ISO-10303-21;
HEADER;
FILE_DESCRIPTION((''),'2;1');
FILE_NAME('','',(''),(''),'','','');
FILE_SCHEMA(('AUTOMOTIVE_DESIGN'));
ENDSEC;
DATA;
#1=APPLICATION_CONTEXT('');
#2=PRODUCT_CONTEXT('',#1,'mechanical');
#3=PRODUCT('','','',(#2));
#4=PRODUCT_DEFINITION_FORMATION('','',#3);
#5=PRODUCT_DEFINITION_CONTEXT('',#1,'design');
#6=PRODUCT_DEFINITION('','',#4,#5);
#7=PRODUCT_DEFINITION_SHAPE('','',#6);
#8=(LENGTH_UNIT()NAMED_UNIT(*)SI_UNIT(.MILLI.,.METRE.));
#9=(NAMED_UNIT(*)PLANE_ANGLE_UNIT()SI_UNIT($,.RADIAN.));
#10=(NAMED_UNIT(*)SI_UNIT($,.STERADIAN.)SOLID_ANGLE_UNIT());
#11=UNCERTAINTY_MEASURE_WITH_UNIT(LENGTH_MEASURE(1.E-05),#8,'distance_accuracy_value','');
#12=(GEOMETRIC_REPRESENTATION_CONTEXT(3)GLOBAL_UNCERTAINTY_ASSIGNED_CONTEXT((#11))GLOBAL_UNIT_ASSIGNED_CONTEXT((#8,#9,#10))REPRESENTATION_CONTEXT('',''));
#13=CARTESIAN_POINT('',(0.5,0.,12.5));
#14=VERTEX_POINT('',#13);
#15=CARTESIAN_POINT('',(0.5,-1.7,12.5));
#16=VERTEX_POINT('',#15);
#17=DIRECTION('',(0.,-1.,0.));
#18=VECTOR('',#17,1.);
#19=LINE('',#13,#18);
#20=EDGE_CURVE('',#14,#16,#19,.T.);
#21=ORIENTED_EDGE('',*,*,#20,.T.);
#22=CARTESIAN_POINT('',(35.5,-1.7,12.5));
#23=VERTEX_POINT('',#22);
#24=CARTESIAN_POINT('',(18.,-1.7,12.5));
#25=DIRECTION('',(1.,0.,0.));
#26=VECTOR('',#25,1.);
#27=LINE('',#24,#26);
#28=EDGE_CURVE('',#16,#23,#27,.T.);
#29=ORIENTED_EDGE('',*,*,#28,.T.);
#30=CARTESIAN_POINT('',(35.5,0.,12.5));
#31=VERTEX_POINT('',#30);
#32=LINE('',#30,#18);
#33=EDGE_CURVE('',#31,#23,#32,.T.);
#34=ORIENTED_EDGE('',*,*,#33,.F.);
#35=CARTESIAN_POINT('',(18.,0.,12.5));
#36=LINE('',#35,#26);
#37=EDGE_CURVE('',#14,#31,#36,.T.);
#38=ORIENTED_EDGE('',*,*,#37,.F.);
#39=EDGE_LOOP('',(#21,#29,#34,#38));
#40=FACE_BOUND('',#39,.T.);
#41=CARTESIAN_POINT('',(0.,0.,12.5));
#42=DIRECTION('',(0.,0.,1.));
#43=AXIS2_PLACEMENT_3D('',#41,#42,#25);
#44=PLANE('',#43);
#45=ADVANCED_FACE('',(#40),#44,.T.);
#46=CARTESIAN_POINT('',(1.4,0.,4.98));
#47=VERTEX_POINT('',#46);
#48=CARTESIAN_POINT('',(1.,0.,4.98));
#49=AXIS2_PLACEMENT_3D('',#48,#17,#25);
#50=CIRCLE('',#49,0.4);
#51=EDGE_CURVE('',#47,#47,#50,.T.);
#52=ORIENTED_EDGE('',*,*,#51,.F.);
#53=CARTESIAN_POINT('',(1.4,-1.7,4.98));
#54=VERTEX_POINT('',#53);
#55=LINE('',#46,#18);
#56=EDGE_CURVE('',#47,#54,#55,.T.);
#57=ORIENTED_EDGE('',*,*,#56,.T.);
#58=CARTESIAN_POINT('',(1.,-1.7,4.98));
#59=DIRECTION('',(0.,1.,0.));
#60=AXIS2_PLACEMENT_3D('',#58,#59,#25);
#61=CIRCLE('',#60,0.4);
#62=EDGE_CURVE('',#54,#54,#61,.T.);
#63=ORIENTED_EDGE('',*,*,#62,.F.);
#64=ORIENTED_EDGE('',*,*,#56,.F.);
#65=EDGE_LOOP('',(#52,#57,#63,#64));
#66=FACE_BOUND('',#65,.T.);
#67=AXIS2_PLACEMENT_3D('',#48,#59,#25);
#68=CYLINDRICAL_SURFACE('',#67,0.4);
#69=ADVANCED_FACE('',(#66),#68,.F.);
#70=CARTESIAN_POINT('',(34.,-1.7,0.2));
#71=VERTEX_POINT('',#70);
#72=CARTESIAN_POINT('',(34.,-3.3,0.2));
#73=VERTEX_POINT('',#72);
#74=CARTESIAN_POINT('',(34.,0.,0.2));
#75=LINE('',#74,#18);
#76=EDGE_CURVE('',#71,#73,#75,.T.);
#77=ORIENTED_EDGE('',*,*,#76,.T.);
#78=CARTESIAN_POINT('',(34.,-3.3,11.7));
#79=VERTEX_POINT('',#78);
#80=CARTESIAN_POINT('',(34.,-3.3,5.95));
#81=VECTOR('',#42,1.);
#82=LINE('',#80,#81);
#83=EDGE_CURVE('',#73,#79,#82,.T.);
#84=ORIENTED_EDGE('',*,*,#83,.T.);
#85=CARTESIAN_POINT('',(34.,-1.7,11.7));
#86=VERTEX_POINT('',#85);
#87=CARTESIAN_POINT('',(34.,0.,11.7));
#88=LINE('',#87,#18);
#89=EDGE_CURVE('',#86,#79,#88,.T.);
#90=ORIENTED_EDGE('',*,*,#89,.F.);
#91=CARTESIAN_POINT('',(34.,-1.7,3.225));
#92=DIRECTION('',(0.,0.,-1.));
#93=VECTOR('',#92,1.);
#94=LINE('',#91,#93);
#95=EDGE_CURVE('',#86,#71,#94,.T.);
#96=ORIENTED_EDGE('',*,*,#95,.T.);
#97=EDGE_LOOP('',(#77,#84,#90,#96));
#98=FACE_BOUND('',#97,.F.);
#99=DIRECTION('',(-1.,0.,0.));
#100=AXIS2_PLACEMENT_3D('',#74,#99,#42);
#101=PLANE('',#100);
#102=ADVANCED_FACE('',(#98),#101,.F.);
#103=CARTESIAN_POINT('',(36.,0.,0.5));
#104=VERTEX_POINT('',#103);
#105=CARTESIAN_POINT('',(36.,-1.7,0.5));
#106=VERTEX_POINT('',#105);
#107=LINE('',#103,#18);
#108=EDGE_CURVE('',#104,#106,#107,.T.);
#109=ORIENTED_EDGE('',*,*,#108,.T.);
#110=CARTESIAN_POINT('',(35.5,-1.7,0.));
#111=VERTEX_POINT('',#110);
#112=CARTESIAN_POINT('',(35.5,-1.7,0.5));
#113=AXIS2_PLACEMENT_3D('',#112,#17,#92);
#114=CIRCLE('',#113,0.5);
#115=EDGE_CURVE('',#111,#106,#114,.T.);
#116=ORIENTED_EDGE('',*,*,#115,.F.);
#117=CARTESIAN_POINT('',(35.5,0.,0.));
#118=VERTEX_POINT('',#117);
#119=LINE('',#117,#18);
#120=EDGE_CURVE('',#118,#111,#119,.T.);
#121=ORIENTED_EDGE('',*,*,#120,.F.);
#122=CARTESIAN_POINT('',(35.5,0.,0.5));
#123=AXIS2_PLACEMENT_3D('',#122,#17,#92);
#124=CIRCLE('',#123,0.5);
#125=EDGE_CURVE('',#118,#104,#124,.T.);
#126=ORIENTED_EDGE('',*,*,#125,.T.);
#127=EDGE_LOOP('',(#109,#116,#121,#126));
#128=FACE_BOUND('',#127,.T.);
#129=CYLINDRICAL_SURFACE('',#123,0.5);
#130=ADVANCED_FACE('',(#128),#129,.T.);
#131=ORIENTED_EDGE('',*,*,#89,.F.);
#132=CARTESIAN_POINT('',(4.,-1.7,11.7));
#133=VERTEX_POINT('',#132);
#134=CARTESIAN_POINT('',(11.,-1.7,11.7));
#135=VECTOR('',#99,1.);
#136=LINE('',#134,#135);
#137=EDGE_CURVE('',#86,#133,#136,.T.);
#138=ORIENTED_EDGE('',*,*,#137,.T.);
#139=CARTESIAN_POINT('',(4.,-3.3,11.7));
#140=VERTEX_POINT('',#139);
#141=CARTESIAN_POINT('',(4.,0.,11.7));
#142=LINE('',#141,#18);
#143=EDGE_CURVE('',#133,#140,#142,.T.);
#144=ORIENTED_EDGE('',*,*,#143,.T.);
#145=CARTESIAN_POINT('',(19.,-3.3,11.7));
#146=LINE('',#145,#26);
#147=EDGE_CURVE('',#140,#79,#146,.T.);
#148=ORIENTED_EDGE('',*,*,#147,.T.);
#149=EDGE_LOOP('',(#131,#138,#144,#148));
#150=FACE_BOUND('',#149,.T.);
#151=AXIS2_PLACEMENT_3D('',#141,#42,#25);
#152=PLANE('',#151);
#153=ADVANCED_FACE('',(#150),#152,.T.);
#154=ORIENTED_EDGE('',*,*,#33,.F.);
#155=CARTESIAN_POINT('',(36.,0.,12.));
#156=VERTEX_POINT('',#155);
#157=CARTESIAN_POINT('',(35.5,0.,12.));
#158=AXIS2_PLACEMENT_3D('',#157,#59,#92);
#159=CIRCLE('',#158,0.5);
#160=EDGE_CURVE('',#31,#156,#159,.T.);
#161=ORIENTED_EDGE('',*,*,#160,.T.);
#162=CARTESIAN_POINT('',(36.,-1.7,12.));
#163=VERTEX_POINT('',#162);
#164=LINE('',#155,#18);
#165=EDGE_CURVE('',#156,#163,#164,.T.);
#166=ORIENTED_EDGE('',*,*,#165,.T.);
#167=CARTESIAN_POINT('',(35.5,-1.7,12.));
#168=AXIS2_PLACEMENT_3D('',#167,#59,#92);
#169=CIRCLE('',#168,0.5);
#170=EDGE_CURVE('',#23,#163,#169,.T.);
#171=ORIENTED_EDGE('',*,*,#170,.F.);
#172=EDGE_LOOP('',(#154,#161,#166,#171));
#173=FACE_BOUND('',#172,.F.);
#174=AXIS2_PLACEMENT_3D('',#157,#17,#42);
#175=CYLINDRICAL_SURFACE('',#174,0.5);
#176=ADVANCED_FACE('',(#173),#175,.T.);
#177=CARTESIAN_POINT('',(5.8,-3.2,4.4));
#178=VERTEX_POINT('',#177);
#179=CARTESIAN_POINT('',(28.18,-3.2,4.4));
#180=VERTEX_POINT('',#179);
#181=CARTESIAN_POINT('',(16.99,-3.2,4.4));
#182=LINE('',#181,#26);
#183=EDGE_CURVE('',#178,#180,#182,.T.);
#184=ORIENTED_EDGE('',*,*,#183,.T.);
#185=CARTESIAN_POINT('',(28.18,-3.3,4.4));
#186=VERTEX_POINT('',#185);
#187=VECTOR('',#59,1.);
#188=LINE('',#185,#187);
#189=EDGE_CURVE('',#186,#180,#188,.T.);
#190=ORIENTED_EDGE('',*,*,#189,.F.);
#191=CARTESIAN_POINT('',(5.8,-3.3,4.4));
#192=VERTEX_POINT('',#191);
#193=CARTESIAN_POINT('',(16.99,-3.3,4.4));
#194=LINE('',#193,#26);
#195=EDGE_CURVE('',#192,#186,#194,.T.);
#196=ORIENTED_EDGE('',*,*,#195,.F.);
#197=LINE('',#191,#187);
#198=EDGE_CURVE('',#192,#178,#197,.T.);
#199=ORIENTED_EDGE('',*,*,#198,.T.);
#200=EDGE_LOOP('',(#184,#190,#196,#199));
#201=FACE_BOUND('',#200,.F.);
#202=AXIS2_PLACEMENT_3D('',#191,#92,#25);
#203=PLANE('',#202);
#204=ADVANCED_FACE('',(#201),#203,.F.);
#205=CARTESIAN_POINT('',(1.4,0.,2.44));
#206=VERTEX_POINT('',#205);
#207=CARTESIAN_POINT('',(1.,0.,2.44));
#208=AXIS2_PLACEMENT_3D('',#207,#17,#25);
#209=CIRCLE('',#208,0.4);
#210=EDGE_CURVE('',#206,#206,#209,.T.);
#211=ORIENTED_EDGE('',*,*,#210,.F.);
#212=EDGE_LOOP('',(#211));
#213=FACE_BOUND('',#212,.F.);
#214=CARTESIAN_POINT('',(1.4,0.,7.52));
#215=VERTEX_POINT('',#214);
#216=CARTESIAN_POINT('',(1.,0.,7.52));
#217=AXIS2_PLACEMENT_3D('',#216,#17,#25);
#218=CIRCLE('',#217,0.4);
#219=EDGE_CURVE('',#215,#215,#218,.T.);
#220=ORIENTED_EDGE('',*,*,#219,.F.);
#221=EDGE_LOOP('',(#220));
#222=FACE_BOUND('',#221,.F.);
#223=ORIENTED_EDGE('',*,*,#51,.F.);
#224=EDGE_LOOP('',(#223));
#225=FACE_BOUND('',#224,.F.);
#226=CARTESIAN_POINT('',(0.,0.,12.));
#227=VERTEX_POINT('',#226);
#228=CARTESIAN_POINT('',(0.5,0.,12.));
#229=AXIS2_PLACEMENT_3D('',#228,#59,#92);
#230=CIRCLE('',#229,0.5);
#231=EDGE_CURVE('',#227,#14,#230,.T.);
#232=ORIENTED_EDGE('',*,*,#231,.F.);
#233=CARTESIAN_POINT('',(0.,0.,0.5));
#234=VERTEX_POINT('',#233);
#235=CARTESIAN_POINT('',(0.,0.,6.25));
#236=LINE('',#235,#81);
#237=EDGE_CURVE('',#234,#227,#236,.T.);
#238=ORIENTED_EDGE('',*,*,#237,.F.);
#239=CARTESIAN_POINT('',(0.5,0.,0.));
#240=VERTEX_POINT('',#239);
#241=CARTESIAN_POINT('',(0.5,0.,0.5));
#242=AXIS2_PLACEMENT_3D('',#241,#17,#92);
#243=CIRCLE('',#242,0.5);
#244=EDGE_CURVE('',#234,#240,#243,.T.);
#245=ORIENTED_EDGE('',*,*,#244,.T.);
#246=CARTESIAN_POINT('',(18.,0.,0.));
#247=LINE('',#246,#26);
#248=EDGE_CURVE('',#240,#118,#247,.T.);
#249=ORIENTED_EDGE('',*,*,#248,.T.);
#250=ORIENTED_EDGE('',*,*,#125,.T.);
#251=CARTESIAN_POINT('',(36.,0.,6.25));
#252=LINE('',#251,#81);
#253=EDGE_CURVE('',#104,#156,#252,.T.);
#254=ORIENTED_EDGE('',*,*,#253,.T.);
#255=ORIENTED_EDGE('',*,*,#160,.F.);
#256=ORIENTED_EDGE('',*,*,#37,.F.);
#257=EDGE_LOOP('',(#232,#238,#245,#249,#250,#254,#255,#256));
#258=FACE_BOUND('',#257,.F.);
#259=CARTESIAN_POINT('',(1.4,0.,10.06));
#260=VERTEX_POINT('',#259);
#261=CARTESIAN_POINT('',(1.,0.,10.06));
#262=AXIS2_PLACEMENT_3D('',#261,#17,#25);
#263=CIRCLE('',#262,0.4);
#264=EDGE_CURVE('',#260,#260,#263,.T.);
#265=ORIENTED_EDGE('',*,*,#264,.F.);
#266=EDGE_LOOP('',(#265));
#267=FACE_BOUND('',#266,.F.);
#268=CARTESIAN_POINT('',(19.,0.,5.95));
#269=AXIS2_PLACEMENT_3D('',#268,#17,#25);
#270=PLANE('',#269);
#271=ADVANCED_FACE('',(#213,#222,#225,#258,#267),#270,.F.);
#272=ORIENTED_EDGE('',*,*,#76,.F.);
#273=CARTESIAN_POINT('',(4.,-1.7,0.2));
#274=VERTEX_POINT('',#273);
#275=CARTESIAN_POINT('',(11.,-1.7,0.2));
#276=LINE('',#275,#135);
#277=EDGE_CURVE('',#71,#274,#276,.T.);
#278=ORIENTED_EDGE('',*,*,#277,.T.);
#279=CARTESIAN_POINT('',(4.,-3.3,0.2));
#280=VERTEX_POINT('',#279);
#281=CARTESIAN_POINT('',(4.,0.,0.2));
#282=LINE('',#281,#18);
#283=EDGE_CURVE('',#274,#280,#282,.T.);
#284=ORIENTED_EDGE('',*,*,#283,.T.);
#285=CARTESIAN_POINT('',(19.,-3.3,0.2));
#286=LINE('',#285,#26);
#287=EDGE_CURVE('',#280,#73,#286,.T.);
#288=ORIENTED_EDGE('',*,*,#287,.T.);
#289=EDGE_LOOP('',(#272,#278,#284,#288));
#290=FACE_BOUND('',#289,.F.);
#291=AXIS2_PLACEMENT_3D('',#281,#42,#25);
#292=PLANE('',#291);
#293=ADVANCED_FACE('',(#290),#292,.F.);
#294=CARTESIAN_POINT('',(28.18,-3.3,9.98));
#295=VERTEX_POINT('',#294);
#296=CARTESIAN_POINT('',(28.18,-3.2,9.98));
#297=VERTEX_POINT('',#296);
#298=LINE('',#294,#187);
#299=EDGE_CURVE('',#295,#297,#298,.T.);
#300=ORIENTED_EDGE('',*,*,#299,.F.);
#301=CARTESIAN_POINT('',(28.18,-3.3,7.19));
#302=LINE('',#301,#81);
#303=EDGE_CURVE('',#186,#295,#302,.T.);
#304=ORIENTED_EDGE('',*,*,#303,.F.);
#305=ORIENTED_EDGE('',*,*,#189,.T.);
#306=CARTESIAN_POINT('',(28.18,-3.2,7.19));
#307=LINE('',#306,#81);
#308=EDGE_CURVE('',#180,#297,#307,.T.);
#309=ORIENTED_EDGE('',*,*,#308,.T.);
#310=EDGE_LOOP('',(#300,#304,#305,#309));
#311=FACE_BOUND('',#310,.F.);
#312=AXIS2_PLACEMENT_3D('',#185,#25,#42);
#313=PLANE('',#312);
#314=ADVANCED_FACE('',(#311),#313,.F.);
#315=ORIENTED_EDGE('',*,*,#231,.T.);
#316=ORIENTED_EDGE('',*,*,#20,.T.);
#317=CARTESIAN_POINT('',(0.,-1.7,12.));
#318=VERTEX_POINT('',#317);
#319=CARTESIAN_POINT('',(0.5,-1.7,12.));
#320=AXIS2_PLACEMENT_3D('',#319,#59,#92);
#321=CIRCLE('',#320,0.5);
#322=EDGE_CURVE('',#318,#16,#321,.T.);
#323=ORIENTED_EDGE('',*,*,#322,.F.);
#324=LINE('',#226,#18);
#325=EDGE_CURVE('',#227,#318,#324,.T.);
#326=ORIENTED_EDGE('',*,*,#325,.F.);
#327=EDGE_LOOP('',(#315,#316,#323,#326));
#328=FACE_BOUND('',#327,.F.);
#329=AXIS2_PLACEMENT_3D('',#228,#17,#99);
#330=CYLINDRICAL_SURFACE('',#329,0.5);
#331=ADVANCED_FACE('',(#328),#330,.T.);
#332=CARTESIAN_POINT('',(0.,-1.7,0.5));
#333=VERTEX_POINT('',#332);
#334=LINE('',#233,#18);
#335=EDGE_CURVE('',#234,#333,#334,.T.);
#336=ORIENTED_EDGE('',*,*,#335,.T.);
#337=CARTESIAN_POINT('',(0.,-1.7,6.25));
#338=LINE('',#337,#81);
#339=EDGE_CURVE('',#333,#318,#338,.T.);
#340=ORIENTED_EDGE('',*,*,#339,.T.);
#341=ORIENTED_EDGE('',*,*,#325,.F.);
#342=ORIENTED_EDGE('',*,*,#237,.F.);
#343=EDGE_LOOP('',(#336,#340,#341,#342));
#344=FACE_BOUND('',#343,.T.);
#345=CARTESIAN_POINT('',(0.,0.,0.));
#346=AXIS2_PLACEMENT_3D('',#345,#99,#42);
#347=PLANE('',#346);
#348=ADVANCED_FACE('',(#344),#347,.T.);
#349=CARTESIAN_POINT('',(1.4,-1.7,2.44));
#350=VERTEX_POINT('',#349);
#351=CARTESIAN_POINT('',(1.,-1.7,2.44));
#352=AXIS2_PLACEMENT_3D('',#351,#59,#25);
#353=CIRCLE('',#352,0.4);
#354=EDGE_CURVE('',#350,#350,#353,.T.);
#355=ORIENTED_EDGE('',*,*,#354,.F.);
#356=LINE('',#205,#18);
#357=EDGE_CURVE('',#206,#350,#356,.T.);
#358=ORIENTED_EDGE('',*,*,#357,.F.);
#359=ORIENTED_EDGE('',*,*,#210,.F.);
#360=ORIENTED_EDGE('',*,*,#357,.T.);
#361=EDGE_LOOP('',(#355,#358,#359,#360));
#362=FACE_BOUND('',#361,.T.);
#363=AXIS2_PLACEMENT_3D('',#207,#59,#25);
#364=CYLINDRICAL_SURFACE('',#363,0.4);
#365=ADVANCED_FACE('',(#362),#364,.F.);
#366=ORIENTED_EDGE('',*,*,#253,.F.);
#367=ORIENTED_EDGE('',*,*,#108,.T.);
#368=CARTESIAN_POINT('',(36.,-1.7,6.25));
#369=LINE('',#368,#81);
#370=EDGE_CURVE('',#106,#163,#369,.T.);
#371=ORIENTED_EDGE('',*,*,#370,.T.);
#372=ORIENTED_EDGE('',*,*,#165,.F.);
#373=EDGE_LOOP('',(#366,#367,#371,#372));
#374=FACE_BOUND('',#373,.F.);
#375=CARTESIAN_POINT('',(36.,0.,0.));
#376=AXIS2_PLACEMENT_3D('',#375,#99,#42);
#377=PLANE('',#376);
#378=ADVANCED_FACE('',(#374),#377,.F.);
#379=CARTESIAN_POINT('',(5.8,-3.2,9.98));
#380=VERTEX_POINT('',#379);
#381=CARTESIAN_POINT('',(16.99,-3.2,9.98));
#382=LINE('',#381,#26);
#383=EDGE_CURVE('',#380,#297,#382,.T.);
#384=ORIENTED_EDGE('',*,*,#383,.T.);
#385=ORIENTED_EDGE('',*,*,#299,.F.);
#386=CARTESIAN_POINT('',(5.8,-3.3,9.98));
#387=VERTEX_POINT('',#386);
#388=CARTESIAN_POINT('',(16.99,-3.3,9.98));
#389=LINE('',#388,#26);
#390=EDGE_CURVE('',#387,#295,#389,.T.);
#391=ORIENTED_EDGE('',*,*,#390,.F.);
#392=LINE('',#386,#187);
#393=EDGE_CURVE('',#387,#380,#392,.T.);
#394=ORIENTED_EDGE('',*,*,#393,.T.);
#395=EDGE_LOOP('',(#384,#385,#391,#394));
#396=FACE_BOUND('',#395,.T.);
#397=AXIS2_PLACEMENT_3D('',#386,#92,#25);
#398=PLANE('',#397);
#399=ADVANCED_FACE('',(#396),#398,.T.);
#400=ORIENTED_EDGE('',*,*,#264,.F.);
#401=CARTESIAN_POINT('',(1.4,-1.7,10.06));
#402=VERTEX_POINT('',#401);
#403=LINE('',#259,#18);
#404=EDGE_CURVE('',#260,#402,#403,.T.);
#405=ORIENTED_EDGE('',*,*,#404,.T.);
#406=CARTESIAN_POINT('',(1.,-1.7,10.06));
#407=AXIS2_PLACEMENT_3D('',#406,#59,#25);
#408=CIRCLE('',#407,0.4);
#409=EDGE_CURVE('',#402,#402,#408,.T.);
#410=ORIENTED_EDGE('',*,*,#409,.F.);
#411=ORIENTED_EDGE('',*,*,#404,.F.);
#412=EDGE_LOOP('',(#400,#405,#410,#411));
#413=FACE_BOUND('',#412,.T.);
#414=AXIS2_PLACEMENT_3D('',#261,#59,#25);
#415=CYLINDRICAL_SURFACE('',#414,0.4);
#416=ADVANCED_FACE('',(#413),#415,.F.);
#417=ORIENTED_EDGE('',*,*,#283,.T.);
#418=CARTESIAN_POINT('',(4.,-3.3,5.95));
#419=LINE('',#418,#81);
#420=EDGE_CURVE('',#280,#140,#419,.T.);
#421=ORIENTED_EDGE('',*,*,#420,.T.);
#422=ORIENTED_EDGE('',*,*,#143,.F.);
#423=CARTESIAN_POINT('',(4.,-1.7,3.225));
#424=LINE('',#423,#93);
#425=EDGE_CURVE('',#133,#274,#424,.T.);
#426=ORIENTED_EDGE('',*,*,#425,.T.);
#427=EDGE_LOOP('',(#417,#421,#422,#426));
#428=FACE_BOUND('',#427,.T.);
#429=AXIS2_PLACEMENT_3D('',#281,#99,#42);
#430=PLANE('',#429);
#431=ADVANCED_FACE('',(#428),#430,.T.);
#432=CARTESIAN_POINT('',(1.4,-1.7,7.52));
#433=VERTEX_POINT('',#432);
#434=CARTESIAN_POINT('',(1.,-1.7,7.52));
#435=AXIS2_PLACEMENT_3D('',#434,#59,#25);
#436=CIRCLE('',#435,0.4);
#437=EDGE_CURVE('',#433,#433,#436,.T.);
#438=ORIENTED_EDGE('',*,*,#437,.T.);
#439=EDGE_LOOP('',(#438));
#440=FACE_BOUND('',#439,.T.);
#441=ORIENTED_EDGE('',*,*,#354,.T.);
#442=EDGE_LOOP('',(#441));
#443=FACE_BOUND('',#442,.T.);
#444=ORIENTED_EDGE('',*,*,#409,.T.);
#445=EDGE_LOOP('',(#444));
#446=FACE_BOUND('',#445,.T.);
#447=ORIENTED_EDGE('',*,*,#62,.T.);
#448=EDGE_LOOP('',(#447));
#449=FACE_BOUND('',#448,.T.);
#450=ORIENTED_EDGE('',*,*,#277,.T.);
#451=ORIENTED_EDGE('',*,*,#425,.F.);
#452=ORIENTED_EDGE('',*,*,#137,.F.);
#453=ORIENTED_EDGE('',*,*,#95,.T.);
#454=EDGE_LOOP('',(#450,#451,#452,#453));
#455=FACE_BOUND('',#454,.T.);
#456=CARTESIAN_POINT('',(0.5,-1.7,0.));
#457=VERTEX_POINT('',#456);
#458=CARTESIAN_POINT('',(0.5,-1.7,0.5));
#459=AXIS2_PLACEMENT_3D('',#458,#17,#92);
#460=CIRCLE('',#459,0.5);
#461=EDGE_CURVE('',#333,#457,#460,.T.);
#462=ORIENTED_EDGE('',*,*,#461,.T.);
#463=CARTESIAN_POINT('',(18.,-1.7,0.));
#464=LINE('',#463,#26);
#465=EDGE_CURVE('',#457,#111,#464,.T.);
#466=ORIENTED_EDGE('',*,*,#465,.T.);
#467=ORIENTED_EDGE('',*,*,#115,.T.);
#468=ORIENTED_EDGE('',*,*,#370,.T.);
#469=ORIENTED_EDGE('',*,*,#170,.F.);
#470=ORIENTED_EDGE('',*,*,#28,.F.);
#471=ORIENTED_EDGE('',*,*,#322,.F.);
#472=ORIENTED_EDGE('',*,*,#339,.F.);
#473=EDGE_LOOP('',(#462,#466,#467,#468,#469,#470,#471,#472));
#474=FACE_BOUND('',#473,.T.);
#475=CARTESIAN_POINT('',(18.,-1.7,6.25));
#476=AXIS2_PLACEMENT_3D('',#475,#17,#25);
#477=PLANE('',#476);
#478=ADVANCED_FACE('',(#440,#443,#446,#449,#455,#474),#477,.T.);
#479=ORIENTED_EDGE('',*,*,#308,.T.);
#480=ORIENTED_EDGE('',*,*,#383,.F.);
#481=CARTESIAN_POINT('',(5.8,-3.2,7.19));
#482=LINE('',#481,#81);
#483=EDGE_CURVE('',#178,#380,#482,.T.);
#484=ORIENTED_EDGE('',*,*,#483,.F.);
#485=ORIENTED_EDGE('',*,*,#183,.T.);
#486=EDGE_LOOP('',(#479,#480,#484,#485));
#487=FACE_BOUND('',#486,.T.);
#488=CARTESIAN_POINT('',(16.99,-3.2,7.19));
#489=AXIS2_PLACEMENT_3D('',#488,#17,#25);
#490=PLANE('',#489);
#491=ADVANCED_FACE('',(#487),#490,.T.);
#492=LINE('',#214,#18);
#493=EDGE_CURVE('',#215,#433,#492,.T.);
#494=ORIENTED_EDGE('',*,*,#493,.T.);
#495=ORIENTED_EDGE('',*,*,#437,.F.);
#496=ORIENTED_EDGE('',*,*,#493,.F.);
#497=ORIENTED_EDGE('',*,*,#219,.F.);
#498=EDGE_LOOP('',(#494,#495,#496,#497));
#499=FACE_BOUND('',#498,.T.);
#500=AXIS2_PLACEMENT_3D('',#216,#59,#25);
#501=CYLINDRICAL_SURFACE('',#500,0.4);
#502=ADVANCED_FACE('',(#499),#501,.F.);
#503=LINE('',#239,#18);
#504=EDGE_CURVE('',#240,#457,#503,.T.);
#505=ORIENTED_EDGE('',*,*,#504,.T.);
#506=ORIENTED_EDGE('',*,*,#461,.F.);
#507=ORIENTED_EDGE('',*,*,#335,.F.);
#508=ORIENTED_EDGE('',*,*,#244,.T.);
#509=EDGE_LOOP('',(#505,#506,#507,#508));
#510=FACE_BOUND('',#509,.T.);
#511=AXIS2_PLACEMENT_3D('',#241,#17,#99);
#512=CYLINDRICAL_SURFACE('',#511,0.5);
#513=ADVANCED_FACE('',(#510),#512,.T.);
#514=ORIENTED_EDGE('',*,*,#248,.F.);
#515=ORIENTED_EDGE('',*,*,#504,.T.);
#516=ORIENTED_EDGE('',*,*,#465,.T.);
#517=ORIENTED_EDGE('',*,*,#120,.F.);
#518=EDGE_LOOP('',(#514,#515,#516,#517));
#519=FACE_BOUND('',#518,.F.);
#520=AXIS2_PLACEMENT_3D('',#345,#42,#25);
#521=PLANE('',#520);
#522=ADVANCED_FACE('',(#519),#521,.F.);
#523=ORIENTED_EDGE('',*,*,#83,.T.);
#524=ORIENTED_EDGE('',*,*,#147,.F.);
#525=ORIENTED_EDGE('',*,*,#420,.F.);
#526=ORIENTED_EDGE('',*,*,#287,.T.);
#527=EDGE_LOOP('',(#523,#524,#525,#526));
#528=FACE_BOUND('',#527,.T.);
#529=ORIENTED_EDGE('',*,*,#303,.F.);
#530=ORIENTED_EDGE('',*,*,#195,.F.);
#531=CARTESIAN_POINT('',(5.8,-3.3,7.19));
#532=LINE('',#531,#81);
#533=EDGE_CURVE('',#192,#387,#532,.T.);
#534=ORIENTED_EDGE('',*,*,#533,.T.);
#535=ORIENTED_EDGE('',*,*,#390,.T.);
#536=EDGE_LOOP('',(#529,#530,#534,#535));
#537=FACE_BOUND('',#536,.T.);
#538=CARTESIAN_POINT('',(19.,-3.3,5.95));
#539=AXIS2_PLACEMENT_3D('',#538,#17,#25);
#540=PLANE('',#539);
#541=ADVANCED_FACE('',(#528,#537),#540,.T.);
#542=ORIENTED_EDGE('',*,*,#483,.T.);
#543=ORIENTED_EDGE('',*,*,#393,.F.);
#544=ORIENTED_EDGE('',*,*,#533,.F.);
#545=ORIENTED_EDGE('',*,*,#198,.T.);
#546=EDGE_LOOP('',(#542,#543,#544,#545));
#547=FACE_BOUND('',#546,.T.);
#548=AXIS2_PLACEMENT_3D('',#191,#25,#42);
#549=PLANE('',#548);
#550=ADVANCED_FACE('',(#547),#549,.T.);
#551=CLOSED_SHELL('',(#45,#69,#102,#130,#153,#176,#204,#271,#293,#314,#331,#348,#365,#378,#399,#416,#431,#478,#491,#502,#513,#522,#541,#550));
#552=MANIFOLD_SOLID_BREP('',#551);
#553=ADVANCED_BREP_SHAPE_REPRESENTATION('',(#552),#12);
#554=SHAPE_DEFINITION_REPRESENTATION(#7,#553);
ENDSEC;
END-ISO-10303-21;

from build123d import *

# Parameters (mm, degrees)
SKETCH_W            = 36
SKETCH_H            = 12.5
PAD_DEPTH           = 1.7
SKETCH001_W         = 30
SKETCH001_H         = 11.5
PAD001_DEPTH        = 3.3
SKETCH002_W         = 22.38
SKETCH002_H         = 5.58
POCKET003_DEPTH     = 0.1
SKETCH003_R         = 0.4
HOLE_DEPTH          = 25
LINEARPATTERN_COUNT = 4
LINEARPATTERN_PITCH = 2.54
FILLET_R            = 0.5


with BuildPart() as part:
    # Sketch → Pad (new body)
    with BuildSketch(Plane.XZ):
        with Locations((18, 6.25)):
            Rectangle(SKETCH_W, SKETCH_H)
    extrude(amount=PAD_DEPTH)

    # Sketch001 → Pad001 (join)
    with BuildSketch(Plane.XZ):
        with Locations((19, 5.95)):
            Rectangle(SKETCH001_W, SKETCH001_H)
    extrude(amount=PAD001_DEPTH)

    # Sketch002 (on Face10 of Pad001) → Pocket003 (cut)
    with BuildSketch(Plane.XZ.offset(3.3)):
        with Locations((16.99, 7.19)):
            Rectangle(SKETCH002_W, SKETCH002_H)
    extrude(amount=-POCKET003_DEPTH, mode=Mode.SUBTRACT)

    # Sketch003 → Hole (cut)
    with BuildSketch(Plane.XZ):
        with Locations((1, 2.44)):
            Circle(SKETCH003_R)
    hole = extrude(amount=HOLE_DEPTH, mode=Mode.SUBTRACT)

    # LinearPattern: Hole ×4
    with Locations(*[(0, 0, i * LINEARPATTERN_PITCH) for i in range(1, LINEARPATTERN_COUNT)]):
        add(hole, mode=Mode.SUBTRACT)

    # Fillet
    fillet_edges = [part.edges().sort_by_distance(p)[0] for p in [
        (36, -0.85, 12.5),
        (36, -0.85, 0),
        (0, -0.85, 12.5),
        (0, -0.85, 0),
    ]]
    fillet(fillet_edges, radius=FILLET_R)


solid = part.part
